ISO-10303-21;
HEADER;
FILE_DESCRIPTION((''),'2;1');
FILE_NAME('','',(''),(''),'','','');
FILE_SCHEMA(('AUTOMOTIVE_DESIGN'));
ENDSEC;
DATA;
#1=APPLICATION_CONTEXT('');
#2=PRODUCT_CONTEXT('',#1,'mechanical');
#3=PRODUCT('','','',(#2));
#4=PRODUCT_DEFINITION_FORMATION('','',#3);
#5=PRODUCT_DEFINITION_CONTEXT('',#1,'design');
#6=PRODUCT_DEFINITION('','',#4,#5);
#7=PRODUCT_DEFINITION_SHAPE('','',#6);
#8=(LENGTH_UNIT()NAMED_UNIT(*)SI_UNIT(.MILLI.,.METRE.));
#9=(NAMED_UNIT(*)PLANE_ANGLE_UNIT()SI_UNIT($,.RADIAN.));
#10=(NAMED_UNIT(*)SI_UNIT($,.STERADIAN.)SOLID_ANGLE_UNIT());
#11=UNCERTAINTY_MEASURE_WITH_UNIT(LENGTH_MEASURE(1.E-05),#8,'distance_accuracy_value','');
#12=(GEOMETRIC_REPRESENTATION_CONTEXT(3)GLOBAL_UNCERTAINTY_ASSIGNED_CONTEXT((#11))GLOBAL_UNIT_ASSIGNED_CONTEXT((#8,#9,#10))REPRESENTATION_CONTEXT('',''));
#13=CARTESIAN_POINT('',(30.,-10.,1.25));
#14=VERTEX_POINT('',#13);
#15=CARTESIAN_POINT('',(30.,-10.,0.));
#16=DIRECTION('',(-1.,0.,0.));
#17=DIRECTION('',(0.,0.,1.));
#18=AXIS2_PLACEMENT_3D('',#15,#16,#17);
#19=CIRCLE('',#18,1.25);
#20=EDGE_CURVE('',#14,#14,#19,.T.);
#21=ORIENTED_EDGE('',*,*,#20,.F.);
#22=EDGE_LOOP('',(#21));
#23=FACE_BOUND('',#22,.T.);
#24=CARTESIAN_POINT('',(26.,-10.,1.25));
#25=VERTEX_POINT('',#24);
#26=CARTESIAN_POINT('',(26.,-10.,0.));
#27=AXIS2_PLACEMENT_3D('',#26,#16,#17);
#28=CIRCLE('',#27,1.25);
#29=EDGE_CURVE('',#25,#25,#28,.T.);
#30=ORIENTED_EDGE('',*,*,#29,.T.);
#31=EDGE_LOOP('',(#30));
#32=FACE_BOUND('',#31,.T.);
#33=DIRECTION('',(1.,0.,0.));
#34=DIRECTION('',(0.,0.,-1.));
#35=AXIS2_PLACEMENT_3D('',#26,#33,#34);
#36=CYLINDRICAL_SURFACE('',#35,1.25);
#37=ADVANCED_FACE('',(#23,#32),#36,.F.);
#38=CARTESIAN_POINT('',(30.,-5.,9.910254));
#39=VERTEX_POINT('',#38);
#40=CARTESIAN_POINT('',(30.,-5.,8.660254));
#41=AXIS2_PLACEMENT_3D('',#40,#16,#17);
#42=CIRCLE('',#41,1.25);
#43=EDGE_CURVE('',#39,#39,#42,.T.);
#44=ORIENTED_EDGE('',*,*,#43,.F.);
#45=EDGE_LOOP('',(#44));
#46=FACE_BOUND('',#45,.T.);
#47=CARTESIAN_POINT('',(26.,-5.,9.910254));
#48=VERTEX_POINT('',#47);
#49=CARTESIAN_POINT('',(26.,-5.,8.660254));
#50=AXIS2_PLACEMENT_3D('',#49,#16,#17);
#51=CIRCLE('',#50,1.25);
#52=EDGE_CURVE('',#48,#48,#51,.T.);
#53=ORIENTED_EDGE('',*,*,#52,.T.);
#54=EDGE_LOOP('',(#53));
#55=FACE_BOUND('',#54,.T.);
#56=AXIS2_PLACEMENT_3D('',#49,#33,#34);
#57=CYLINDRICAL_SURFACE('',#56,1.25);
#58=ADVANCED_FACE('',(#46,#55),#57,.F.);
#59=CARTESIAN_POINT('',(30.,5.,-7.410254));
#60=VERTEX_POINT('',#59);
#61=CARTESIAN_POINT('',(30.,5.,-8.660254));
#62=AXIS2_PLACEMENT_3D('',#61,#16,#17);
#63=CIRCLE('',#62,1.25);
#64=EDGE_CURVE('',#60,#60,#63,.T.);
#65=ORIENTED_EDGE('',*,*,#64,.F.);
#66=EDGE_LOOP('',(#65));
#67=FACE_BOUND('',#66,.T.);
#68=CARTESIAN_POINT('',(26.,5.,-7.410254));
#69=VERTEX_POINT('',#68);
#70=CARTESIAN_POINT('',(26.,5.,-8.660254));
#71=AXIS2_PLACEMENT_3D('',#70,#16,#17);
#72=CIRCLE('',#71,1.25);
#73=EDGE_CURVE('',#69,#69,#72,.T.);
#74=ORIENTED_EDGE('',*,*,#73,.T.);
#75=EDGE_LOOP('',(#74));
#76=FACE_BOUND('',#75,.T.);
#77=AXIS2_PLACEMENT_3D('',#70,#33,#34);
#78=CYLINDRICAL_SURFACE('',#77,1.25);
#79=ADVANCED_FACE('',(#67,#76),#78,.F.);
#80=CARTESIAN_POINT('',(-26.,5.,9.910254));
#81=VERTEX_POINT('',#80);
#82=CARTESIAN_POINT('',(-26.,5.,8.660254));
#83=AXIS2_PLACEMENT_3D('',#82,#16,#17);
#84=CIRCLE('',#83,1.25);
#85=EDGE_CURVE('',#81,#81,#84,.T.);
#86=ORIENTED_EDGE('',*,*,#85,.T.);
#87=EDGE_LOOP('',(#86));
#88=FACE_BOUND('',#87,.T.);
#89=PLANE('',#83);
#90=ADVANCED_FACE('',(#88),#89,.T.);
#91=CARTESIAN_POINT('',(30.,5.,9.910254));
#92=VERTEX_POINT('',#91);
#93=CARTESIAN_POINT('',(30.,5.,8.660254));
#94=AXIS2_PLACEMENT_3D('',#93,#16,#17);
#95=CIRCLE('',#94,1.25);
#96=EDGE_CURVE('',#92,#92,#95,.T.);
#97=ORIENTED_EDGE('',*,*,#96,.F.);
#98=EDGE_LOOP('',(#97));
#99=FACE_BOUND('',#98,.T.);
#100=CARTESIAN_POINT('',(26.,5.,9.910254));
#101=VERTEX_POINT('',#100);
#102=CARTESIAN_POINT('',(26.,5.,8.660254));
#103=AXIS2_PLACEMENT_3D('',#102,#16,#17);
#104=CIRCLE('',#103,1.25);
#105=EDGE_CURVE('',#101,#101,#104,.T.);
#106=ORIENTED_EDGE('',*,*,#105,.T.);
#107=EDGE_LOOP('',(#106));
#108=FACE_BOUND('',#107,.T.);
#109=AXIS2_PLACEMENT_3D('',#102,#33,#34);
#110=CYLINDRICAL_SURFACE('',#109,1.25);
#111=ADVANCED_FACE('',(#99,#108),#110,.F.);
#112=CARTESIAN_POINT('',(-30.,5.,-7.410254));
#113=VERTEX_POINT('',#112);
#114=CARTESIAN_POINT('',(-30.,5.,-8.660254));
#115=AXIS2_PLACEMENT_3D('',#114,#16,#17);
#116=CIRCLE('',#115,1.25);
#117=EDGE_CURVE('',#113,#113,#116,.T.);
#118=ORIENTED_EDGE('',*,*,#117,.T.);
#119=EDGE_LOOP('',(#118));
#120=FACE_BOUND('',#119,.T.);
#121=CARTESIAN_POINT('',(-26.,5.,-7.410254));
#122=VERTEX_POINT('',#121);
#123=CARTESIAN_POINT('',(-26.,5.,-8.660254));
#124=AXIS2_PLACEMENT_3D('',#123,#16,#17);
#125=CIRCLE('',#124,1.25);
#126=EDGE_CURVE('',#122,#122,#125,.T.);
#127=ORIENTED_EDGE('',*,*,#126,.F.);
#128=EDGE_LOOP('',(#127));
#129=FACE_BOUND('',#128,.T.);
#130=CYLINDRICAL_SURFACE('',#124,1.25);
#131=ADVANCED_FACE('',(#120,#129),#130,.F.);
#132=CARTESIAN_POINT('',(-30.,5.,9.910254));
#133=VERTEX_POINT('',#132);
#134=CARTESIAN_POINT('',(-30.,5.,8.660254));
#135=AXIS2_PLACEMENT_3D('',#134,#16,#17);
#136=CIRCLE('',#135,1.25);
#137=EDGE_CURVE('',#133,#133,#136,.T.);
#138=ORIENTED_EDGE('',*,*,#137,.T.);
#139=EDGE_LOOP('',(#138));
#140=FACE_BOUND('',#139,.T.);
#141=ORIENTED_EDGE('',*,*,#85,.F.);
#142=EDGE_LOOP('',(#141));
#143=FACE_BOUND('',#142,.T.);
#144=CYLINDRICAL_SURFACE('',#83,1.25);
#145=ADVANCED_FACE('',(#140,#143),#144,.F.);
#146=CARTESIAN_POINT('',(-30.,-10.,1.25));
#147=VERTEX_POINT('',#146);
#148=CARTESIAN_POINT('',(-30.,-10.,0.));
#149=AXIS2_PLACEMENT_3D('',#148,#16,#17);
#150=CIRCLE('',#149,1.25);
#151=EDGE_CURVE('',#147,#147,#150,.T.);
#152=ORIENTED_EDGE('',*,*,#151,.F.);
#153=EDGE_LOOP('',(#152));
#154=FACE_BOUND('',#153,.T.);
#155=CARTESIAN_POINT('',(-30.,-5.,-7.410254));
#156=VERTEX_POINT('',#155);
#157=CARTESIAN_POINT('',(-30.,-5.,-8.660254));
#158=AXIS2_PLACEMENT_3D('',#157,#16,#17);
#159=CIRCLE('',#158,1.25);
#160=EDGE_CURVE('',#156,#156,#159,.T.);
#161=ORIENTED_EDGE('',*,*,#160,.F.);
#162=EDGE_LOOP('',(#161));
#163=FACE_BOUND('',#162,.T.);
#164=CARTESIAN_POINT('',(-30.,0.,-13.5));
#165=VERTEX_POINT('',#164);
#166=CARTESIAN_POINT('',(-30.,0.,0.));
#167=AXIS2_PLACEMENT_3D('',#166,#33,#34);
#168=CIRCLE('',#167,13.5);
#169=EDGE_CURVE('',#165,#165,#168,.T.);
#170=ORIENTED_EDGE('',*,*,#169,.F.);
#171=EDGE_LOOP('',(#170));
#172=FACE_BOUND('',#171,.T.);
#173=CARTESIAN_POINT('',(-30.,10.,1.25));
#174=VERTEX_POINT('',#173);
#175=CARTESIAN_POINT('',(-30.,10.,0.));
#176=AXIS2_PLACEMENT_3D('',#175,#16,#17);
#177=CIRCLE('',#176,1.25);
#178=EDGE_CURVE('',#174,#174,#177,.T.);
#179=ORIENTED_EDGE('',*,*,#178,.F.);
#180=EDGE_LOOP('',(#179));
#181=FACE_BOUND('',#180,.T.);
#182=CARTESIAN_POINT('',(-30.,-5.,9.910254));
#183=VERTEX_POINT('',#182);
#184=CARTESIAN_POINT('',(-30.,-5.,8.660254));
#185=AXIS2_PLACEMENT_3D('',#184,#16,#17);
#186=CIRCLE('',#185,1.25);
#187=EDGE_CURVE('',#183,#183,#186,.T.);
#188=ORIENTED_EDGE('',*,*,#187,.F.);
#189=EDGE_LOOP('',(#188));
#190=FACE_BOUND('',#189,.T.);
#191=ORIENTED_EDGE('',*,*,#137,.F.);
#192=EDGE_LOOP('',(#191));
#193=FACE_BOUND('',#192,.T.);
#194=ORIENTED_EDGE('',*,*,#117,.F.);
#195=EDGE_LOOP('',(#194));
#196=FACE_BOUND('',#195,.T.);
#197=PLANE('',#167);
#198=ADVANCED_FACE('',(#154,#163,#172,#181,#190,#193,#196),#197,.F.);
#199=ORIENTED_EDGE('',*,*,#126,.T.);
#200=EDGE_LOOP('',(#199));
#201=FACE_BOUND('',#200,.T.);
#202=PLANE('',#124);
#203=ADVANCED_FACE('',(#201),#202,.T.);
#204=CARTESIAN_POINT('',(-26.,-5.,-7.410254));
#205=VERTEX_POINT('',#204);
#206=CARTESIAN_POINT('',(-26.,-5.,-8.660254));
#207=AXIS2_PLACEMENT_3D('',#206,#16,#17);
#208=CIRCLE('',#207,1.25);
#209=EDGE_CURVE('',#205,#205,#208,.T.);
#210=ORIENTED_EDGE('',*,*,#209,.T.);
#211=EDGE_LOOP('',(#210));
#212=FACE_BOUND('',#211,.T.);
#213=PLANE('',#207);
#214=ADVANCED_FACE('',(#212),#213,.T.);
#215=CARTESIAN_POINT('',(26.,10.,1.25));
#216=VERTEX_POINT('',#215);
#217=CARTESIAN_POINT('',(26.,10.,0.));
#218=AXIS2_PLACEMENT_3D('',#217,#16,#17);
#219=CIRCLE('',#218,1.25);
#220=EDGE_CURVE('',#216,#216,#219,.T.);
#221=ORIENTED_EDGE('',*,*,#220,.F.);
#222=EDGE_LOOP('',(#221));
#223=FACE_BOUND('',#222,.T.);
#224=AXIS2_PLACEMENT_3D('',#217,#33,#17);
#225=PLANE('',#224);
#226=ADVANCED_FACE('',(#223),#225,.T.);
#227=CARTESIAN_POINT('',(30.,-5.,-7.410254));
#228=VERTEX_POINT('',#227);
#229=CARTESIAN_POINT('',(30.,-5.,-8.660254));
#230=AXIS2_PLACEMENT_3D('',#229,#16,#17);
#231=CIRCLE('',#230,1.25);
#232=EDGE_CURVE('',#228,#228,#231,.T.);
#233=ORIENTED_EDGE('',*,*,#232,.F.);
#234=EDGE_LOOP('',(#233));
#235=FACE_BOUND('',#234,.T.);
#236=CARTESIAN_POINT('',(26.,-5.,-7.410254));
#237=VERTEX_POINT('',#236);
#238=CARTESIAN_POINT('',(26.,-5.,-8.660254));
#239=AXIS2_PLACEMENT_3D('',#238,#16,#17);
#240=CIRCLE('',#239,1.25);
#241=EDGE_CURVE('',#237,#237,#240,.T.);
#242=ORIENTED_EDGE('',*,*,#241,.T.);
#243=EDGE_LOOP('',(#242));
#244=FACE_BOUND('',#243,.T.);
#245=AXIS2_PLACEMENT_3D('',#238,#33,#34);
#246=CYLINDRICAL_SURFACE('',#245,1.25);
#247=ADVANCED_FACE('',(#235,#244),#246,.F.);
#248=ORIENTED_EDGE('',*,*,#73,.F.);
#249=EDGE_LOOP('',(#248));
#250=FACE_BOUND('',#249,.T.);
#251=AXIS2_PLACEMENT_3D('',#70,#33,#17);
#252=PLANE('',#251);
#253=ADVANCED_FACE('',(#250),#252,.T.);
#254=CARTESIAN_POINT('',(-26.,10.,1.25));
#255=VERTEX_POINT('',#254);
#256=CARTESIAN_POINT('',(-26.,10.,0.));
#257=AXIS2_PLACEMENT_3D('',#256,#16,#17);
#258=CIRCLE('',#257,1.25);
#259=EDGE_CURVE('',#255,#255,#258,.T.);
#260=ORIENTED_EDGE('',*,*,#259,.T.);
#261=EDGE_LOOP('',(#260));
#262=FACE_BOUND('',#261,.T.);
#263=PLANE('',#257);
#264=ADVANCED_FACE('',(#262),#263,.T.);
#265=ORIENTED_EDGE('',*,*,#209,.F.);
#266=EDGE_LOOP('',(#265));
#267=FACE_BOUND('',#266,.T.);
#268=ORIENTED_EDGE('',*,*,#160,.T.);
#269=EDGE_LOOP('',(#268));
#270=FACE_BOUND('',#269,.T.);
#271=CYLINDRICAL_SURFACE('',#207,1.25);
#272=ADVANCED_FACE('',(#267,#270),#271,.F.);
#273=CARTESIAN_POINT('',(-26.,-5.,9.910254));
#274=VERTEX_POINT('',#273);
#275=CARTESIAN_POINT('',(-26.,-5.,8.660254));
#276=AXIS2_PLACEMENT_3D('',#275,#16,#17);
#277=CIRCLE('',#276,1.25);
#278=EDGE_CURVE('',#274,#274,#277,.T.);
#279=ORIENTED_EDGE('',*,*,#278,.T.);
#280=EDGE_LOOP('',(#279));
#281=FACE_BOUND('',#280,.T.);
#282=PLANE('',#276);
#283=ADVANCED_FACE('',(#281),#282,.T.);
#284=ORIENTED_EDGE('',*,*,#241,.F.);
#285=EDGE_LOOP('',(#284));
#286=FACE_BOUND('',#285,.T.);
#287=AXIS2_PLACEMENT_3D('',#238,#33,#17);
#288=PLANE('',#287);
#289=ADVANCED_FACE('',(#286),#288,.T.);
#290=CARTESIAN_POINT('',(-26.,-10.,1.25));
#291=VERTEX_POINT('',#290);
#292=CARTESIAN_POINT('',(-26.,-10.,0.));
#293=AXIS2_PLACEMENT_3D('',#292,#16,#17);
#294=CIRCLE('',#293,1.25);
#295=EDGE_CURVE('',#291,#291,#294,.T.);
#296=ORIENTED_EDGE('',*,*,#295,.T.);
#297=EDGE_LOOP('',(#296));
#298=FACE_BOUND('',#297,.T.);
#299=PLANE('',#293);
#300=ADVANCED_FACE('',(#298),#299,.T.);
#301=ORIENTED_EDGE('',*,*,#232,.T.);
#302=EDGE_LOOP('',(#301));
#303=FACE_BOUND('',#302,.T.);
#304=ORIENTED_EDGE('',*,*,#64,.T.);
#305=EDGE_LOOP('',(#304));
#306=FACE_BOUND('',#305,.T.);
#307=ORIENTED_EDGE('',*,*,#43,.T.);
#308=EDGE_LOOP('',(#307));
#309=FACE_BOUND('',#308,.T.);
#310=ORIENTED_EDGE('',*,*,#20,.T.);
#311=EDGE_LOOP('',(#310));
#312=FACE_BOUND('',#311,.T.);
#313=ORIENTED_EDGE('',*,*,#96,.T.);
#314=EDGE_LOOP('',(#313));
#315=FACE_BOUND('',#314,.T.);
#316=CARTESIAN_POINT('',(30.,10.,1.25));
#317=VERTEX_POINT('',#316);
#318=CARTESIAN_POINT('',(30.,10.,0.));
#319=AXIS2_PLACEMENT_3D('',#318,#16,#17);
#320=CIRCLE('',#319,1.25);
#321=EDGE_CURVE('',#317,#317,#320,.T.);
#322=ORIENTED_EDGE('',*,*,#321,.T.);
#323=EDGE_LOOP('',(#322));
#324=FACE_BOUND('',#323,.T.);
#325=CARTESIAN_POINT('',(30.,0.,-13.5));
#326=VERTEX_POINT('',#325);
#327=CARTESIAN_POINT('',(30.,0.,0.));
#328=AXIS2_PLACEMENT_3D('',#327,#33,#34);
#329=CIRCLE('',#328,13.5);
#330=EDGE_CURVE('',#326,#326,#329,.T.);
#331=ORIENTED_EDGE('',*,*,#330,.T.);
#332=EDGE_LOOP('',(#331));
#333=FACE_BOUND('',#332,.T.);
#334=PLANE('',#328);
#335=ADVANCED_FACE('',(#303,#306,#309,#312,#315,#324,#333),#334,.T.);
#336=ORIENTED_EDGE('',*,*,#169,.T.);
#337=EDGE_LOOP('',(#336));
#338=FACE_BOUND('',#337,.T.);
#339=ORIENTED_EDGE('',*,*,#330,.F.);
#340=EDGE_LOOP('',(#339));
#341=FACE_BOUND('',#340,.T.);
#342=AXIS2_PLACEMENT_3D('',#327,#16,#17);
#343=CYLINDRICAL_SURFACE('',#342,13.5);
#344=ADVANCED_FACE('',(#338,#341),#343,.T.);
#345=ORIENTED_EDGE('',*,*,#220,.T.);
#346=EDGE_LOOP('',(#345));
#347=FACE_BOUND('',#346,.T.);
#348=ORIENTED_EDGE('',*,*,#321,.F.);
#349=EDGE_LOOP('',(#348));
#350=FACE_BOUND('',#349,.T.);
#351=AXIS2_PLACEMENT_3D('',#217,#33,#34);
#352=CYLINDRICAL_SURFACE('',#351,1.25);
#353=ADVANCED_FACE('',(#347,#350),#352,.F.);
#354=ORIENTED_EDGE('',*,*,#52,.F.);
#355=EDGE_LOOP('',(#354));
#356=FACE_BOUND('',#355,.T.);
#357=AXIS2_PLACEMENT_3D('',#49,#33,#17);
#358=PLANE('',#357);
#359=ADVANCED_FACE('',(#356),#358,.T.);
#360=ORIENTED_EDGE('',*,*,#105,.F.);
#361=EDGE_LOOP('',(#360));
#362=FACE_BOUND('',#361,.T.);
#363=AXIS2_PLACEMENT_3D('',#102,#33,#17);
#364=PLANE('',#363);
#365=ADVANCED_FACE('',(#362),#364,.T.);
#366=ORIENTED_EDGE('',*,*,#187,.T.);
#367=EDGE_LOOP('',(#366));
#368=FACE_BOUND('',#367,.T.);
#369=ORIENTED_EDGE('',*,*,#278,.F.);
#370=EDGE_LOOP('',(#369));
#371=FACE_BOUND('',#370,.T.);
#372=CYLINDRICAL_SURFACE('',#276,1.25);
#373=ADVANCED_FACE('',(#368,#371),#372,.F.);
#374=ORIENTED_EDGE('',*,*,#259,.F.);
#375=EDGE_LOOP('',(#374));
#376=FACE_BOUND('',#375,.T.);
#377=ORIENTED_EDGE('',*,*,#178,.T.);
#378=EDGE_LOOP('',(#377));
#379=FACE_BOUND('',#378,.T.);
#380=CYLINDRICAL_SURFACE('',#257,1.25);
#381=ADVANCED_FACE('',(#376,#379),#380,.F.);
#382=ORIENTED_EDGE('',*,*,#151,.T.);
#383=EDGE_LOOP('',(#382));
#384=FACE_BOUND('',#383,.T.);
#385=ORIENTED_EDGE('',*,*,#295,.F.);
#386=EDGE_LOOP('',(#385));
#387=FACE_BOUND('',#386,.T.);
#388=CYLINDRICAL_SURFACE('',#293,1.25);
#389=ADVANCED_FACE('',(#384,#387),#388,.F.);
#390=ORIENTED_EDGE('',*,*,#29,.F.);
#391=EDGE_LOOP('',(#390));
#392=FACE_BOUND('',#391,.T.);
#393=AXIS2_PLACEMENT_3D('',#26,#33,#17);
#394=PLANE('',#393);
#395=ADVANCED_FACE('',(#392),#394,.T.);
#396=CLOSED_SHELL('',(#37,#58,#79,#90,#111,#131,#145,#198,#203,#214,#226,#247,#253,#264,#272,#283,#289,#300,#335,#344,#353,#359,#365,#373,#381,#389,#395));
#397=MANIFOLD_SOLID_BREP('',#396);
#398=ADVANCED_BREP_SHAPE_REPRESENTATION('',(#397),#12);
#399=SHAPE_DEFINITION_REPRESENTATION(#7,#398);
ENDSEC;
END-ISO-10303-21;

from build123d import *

# Parameters (mm, degrees)
SKETCH1_R           = 13.5
BOSS_EXTRUDE1_DEPTH = 30
SKETCH2_R           = 1.25
CUT_EXTRUDE1_DEPTH  = 4


with BuildPart() as part:
    # Sketch1 → Boss-Extrude1 (new, symmetric)
    with BuildSketch(Plane(origin=(0, 0, 0), x_dir=(0, 0, -1), z_dir=(1, 0, 0))):
        Circle(SKETCH1_R)
    extrude(amount=BOSS_EXTRUDE1_DEPTH, both=True)

    # Sketch2 → Cut-Extrude1 (cut)
    with BuildSketch(Plane.ZY.offset(30)):
        with Locations((0, 10)):
            Circle(SKETCH2_R)
        with Locations((8.660254038, 5)):
            Circle(SKETCH2_R)
        with Locations((8.660254038, -5)):
            Circle(SKETCH2_R)
        with Locations((0, -10)):
            Circle(SKETCH2_R)
        with Locations((-8.660254038, -5)):
            Circle(SKETCH2_R)
        with Locations((-8.660254038, 5)):
            Circle(SKETCH2_R)
    cut_extrude1 = extrude(amount=-CUT_EXTRUDE1_DEPTH, mode=Mode.SUBTRACT)

    # Mirror1: Cut-Extrude1 across plane
    add(cut_extrude1.mirror(Plane(origin=(0, 0, 0), x_dir=(0, 0, 1), z_dir=(1, 0, 0))), mode=Mode.SUBTRACT)


solid = part.part
